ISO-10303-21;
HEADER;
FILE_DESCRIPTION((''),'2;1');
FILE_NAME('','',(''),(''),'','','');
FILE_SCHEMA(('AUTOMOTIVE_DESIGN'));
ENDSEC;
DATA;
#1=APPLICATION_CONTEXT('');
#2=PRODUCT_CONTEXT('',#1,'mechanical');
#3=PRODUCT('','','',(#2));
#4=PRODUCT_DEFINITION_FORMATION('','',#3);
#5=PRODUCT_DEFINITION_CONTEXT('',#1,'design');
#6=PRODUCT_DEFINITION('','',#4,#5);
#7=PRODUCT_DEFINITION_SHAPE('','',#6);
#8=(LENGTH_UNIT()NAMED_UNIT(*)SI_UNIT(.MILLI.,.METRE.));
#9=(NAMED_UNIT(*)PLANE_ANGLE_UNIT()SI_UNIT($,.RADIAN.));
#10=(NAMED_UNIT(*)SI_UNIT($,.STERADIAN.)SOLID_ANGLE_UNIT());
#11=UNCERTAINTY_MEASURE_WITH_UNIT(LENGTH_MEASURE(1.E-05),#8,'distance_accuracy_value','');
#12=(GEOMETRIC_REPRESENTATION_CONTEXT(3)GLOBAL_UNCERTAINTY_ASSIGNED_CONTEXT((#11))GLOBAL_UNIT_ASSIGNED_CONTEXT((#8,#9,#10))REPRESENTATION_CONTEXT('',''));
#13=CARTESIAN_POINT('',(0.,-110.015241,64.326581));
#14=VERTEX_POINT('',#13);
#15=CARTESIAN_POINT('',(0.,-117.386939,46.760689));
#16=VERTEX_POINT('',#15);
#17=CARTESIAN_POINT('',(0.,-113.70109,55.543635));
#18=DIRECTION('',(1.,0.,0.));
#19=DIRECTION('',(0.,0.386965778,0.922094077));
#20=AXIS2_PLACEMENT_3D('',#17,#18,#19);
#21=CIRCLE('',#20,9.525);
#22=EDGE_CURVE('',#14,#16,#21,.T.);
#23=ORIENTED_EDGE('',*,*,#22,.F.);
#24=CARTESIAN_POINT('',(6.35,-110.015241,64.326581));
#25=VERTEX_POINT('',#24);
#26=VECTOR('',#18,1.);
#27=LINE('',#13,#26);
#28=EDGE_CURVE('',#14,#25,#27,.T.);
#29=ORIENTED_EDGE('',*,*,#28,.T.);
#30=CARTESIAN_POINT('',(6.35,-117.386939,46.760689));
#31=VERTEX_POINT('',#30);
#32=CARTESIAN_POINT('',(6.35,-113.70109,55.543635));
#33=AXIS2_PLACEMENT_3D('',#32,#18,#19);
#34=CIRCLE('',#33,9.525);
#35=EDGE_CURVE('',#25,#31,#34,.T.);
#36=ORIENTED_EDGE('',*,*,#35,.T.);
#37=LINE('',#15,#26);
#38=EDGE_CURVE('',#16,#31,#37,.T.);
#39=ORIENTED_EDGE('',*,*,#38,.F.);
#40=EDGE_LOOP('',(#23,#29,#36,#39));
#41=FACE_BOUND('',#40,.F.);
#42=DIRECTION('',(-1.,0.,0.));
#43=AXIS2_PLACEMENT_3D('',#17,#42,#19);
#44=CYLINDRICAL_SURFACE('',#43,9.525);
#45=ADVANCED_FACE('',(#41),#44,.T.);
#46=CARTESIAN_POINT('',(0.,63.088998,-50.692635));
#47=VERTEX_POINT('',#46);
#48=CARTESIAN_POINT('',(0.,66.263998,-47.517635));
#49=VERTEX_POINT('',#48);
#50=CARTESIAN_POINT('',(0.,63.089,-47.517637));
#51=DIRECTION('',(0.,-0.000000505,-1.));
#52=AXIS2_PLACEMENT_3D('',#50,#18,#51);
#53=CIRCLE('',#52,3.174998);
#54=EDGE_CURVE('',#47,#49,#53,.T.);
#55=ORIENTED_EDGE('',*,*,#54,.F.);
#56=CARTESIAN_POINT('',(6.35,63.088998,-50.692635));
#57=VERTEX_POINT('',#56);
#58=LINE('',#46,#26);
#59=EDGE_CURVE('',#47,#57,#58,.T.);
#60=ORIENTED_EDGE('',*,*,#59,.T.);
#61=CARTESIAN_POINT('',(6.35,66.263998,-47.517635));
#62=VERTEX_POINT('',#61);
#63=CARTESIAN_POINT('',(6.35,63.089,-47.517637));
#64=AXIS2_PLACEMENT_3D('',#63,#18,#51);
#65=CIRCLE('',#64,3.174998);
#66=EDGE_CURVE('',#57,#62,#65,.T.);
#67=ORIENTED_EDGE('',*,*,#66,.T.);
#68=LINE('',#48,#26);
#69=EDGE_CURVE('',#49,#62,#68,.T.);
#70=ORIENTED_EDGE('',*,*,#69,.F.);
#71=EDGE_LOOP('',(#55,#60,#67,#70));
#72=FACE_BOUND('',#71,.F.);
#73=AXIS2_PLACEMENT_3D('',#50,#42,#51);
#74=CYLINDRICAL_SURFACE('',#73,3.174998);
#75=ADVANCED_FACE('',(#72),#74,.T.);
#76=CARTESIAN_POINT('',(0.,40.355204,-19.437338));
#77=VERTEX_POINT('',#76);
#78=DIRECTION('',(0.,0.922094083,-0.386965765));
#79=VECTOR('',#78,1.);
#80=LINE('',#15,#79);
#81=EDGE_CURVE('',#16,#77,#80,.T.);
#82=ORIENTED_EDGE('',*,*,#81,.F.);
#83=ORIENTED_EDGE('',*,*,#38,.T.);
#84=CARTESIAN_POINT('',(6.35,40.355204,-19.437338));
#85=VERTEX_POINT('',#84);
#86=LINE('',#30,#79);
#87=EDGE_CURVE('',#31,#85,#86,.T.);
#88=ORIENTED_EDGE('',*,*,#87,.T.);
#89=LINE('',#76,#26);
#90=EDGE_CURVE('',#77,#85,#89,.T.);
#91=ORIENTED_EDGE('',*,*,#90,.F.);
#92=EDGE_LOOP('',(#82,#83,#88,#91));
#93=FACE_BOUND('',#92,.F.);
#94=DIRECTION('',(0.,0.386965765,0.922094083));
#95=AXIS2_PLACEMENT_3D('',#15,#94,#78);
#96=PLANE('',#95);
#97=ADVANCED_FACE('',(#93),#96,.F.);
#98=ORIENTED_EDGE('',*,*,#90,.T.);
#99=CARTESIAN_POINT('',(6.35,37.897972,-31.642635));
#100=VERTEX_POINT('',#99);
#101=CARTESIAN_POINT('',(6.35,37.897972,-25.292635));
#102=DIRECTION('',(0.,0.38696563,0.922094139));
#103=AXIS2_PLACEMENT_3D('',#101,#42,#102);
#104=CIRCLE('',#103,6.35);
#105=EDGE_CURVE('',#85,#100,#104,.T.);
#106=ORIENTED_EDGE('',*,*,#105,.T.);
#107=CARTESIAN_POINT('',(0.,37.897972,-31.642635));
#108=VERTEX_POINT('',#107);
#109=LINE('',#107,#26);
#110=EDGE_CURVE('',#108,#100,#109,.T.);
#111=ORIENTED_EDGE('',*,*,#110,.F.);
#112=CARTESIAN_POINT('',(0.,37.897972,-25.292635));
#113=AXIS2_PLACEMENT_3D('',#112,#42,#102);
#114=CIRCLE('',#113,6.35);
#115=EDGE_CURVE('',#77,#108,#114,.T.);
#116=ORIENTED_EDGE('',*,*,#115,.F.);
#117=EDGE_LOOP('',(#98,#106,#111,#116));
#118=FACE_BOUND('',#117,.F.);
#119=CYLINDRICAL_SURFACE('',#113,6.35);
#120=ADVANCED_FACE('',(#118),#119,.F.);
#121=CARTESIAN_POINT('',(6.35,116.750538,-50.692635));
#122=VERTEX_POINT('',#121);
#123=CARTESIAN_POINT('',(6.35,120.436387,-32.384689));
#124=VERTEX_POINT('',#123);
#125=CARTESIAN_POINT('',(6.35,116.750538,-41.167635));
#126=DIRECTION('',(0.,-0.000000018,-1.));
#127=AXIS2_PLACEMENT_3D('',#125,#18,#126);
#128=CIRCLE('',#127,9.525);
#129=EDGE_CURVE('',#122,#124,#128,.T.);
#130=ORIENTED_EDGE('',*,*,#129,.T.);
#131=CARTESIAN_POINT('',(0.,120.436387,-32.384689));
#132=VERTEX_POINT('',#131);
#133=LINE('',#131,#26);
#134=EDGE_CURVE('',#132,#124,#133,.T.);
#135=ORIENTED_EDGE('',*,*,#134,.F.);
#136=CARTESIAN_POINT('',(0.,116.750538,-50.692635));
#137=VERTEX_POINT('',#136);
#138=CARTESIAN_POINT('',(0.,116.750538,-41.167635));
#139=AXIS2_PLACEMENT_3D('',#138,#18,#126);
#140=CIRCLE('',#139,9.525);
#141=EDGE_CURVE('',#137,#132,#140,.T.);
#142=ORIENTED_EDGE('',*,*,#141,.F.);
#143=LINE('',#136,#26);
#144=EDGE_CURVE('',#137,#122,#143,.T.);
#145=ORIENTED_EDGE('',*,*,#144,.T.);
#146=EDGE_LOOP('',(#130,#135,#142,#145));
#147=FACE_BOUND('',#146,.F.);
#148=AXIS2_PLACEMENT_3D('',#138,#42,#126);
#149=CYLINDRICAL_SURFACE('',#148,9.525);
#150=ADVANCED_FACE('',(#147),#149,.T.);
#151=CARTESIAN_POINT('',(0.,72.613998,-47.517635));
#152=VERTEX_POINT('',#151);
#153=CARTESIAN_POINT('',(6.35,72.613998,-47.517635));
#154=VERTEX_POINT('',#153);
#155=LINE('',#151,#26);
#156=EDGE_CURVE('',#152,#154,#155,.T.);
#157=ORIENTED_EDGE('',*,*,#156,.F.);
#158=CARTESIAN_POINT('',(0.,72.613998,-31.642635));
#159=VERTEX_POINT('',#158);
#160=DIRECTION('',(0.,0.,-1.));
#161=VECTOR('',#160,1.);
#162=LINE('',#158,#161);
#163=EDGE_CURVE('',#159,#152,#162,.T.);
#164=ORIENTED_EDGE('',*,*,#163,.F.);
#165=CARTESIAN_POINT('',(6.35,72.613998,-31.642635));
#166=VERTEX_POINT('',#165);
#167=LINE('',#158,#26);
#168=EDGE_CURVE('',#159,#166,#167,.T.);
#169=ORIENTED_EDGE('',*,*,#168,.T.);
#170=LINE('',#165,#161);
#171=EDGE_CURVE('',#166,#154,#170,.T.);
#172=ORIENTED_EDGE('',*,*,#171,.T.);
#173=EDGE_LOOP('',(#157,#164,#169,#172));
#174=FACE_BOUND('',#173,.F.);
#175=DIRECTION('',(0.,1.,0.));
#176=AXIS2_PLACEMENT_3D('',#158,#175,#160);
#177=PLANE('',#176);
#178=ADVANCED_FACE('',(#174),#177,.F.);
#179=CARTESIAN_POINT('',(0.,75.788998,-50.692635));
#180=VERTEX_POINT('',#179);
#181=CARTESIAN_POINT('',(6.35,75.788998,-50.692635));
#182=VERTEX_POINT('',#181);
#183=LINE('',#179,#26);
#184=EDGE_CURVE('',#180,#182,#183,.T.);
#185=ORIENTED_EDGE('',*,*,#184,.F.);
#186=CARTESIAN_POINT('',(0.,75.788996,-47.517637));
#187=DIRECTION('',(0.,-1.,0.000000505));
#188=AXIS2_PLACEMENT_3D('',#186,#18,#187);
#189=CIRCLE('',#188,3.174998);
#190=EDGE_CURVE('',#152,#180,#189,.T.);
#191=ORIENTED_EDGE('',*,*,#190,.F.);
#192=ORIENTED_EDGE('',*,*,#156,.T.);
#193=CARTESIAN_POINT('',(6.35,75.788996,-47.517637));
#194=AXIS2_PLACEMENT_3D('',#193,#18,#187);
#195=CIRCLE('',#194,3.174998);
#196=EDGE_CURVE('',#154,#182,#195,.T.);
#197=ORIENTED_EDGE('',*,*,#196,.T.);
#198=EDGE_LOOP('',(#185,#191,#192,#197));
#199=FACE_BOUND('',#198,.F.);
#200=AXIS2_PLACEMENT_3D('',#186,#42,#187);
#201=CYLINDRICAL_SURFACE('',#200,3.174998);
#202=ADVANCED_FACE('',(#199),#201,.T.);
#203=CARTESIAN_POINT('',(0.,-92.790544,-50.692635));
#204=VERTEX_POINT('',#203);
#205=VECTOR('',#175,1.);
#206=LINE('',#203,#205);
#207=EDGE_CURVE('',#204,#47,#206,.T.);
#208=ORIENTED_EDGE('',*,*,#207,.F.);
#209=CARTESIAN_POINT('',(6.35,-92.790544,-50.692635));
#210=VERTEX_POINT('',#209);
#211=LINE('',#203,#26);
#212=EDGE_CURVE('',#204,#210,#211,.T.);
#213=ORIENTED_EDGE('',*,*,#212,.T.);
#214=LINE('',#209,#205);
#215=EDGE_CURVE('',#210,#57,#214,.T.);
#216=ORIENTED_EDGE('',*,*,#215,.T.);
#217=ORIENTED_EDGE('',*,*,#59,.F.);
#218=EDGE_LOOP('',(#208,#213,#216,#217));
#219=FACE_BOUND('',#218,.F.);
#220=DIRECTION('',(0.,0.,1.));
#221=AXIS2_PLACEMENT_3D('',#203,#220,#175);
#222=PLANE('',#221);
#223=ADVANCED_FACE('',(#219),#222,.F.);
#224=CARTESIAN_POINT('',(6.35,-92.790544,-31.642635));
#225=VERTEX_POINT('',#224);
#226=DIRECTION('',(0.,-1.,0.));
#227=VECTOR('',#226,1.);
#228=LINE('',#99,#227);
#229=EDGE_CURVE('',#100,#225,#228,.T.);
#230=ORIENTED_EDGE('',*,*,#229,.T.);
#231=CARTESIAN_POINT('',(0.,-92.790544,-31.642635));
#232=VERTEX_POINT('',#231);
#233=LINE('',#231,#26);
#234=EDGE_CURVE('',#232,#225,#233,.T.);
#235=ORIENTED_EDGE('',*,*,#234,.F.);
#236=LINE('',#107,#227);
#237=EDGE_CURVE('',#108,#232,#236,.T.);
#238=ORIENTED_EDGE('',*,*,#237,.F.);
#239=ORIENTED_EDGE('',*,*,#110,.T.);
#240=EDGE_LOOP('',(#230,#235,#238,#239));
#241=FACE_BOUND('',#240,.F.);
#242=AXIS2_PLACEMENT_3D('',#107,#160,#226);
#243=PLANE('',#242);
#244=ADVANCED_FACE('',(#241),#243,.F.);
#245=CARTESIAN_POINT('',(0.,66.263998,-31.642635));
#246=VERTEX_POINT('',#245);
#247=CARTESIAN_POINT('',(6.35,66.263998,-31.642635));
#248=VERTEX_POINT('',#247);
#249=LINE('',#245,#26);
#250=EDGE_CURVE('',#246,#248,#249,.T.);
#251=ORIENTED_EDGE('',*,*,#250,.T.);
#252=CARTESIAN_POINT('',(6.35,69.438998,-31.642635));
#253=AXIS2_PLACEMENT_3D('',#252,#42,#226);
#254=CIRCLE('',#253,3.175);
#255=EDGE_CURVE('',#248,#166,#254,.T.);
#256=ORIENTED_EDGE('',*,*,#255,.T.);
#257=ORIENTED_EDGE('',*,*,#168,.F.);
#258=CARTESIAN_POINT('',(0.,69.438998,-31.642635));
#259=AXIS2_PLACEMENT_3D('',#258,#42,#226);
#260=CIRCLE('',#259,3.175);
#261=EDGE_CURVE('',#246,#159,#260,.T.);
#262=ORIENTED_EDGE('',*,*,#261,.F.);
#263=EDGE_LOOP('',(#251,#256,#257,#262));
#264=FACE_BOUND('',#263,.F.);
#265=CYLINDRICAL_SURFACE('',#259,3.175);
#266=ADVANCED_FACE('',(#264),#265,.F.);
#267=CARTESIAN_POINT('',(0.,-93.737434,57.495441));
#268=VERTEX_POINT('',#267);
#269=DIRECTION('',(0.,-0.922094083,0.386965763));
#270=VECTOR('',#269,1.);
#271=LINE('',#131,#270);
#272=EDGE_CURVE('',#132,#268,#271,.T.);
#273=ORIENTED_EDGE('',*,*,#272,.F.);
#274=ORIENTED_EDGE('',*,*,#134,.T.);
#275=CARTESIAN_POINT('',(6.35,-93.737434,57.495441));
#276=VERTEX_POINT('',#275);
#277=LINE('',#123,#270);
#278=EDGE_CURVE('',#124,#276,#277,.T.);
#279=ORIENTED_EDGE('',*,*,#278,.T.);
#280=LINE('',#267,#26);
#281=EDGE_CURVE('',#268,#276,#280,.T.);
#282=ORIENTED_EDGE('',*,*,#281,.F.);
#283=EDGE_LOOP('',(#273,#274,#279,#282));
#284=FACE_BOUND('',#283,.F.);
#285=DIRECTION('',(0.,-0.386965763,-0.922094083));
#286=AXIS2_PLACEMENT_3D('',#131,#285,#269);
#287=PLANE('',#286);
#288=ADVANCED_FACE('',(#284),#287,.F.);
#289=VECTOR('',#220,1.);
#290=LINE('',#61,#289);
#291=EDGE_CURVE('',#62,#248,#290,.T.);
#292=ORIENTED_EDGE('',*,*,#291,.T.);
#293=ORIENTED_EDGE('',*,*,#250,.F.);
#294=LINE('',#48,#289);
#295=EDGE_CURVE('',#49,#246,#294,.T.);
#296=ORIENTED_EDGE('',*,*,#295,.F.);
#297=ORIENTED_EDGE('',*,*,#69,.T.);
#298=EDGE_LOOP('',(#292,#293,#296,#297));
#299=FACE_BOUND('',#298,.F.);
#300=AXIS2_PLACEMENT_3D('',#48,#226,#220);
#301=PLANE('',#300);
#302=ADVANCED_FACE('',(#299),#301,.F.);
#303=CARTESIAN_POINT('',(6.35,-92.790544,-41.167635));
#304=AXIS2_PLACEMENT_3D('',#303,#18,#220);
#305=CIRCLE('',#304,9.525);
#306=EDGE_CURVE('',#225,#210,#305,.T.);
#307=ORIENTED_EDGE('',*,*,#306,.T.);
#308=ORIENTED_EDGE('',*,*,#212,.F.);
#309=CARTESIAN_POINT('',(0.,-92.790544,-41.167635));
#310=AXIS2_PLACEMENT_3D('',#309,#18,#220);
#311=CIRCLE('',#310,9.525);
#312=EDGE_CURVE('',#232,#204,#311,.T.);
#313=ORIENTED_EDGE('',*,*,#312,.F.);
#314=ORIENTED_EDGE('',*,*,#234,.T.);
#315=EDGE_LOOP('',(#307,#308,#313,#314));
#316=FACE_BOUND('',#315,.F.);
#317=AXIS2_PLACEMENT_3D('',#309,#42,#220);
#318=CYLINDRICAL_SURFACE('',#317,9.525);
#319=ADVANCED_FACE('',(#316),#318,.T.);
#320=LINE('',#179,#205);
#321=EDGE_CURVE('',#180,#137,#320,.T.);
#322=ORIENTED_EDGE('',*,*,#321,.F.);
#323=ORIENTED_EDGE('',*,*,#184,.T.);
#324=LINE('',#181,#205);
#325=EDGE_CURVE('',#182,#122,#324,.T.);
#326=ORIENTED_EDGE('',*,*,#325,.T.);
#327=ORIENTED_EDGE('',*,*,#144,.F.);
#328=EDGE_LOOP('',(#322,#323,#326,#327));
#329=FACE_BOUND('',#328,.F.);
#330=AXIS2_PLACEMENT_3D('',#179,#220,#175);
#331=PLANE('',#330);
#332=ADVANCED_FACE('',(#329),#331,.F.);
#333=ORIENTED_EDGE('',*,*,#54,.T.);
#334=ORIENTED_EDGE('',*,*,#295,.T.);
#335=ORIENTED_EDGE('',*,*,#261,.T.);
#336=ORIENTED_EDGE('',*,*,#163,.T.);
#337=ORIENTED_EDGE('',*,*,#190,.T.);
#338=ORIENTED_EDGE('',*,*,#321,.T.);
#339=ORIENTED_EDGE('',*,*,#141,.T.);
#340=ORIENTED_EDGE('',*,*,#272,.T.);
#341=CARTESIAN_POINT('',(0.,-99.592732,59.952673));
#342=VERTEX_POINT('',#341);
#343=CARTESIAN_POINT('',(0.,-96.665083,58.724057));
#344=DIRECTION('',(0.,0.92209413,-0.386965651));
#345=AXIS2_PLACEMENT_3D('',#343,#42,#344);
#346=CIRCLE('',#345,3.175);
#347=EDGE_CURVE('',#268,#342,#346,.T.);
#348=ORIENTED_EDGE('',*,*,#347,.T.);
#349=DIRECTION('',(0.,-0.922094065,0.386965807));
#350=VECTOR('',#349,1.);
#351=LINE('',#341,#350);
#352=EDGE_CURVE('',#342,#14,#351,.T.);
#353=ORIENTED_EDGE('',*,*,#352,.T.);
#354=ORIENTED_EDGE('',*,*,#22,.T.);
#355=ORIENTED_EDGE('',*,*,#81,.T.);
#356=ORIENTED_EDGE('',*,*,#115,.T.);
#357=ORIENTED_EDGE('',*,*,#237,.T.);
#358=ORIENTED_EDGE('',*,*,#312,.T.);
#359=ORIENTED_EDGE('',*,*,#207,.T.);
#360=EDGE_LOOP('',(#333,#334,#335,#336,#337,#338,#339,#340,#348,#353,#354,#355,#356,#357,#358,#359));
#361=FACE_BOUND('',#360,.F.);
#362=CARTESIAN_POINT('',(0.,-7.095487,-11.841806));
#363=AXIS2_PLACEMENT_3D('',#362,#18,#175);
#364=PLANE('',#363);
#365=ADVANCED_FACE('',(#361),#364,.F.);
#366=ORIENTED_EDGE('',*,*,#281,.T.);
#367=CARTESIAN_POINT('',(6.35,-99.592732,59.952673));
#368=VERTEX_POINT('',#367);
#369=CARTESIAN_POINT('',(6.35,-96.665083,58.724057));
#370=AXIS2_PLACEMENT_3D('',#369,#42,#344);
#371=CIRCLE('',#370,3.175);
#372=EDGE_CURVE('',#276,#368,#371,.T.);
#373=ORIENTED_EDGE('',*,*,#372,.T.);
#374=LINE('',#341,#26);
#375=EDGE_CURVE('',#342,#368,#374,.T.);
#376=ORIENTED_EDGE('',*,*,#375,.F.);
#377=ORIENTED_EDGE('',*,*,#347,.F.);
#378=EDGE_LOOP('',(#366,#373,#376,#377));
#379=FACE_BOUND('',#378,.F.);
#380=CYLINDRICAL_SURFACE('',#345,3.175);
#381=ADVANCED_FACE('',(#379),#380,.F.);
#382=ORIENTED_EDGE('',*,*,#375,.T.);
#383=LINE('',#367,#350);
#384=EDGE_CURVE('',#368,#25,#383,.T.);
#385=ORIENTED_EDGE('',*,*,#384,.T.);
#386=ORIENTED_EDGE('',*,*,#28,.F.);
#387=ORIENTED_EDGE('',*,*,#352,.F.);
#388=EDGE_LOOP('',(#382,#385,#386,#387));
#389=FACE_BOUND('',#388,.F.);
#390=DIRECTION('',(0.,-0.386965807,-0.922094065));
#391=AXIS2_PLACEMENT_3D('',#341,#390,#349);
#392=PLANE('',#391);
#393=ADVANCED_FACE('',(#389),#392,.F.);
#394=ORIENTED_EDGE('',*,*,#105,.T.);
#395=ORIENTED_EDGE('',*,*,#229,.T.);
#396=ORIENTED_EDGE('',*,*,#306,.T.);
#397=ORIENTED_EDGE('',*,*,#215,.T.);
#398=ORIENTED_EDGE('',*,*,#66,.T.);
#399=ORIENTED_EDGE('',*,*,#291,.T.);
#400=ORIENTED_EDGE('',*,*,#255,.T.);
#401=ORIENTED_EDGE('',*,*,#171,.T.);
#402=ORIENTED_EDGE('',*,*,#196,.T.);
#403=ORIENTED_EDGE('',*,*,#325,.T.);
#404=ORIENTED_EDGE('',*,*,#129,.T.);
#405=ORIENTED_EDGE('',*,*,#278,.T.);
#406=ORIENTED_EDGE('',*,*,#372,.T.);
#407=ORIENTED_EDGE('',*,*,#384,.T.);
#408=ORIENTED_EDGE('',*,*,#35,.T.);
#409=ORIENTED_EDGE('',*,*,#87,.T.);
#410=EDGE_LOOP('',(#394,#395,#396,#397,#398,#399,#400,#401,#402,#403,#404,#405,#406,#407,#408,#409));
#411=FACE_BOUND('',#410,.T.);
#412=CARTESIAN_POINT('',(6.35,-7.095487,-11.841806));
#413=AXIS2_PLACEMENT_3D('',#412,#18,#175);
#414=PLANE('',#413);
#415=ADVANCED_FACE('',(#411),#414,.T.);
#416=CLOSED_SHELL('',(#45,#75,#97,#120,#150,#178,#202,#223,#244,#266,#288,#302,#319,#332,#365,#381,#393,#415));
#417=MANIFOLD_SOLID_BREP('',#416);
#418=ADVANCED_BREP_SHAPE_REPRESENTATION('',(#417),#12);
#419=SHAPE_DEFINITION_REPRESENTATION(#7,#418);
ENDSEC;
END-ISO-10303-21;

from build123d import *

# Parameters (mm, degrees)
F0_R     = 1.27
F1_DEPTH = 6.35


with BuildPart() as f1:
    # F0 (on Right) → F1 (new body)
    with BuildSketch(Plane.YZ):
        with BuildLine():
            ThreePointArc((116.750538, -50.692635), (126.088182, -43.047537), (120.436387, -32.384689))
            Line((120.436387, -32.384689), (-93.737434, 57.495441))
            ThreePointArc((-93.737434, 57.495441), (-97.893699, 55.796408), (-99.592732, 59.952673))
            Line((-99.592732, 59.952673), (-110.015241, 64.326581))
            ThreePointArc((-110.015241, 64.326581), (-122.484036, 59.229484), (-117.386939, 46.760689))
            Line((-117.386939, 46.760689), (40.355204, -19.437338))
            ThreePointArc((40.355204, -19.437338), (44.123068, -26.545903), (37.897972, -31.642635))
            Line((37.897972, -31.642635), (-92.790544, -31.642635))
            ThreePointArc((-92.790544, -31.642635), (-102.315544, -41.167635), (-92.790544, -50.692635))
            Line((-92.790544, -50.692635), (63.088998, -50.692635))
            ThreePointArc((63.088998, -50.692635), (65.334062, -49.7627), (66.263998, -47.517635))
            Line((66.263998, -47.517635), (66.263998, -31.642635))
            ThreePointArc((66.263998, -31.642635), (69.438998, -28.467635), (72.613998, -31.642635))
            Line((72.613998, -31.642635), (72.613998, -47.517635))
            ThreePointArc((72.613998, -47.517635), (73.543934, -49.7627), (75.788998, -50.692635))
            Line((75.788998, -50.692635), (116.750538, -50.692635))
        make_face()
        with Locations((108.209478, -36.894451)):
            Circle(F0_R, mode=Mode.SUBTRACT)
        with Locations((97.462779, -32.384689)):
            Circle(F0_R, mode=Mode.SUBTRACT)
        with Locations((108.209478, -36.894451)):
            Circle(F0_R)
        with Locations((97.462779, -32.384689)):
            Circle(F0_R)
    extrude(amount=F1_DEPTH)


solid = f1.part
